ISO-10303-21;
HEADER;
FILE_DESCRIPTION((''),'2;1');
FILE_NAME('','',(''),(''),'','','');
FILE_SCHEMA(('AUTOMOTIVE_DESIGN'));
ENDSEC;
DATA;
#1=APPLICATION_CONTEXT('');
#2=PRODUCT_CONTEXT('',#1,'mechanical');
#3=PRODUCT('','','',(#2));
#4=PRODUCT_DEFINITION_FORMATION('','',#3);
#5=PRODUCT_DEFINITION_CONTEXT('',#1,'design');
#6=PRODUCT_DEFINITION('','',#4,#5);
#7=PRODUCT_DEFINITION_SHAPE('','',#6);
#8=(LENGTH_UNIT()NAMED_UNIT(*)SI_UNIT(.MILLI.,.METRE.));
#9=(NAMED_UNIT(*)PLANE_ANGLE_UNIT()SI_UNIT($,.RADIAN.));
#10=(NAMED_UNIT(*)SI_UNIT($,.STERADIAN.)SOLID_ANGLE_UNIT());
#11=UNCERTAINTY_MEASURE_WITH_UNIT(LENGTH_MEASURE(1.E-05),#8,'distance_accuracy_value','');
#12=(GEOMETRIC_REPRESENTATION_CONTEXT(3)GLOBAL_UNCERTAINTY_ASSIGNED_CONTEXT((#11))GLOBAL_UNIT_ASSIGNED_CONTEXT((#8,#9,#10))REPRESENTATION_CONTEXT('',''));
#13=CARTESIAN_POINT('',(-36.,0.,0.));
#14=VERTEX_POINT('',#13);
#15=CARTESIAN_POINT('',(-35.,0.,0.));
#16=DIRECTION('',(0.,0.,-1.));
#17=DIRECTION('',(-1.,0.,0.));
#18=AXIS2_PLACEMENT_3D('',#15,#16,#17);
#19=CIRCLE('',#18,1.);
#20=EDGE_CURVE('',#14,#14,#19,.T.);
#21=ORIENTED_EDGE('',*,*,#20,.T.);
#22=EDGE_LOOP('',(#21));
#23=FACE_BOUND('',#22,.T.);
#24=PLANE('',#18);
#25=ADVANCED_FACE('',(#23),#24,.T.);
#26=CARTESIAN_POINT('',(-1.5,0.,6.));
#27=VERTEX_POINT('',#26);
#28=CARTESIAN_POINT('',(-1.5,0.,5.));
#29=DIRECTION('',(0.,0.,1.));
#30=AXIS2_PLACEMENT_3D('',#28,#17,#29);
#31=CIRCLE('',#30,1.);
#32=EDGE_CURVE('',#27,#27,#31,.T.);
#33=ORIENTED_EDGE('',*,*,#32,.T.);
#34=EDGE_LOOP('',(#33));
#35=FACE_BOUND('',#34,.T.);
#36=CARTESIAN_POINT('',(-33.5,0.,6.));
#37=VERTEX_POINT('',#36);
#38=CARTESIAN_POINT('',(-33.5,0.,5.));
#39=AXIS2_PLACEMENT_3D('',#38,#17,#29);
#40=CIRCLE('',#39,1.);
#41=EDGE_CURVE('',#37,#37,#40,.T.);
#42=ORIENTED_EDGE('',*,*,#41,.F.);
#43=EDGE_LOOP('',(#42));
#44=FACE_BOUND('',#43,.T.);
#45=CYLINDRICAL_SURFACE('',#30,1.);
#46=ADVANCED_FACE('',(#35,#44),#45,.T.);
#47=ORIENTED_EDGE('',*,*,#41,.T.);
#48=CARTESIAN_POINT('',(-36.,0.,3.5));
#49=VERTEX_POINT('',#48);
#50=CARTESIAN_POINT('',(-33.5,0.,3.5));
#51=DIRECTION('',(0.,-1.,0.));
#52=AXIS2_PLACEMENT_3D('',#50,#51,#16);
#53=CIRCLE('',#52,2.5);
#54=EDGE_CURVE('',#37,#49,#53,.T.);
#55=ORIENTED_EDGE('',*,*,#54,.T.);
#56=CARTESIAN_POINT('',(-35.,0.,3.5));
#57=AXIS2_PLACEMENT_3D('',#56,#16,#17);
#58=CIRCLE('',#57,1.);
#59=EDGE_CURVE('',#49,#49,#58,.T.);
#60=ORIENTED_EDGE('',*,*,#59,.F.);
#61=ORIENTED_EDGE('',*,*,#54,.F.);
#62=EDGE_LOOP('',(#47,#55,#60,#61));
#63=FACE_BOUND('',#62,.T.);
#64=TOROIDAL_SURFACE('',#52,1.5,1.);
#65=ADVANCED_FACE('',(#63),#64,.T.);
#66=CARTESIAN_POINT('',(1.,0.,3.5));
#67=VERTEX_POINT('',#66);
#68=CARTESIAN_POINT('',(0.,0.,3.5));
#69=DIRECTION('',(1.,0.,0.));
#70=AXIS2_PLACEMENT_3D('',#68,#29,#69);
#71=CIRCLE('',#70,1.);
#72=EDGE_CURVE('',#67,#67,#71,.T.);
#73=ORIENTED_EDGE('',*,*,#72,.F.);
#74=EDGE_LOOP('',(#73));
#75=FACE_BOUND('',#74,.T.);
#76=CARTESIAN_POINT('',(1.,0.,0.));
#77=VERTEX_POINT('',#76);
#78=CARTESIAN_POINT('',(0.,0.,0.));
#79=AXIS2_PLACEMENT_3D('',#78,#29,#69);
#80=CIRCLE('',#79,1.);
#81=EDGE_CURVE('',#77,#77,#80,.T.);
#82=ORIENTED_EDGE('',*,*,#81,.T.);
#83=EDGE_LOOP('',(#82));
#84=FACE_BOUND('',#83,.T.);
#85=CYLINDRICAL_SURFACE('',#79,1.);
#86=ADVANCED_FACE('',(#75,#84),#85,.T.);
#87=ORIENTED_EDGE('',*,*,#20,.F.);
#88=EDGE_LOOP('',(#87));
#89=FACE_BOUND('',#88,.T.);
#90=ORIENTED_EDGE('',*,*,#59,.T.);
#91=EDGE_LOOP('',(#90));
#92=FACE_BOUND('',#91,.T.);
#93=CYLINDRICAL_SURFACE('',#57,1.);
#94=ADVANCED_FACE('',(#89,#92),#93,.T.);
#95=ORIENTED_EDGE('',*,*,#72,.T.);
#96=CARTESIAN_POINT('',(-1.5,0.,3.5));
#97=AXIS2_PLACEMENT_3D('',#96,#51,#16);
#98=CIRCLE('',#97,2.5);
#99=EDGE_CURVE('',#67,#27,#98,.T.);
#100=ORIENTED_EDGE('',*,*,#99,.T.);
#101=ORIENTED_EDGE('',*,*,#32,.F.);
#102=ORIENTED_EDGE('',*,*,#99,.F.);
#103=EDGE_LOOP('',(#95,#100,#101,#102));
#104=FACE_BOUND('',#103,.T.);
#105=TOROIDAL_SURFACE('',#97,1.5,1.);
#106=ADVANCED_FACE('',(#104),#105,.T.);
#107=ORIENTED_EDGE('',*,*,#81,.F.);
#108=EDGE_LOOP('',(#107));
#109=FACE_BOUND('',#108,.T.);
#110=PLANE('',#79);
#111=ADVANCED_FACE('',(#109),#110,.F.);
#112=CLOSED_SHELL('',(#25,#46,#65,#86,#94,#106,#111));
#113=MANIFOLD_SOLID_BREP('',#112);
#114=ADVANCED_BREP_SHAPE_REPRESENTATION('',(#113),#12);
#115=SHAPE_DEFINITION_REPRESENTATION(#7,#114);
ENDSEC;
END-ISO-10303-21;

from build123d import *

# Parameters (mm, degrees)
SKETCH2_R = 1


with BuildPart() as part:
    # Sweep1: sweep along a path in Sketch1
    with BuildLine(Plane(origin=(0, 0, 0), x_dir=(1, 0, 0), z_dir=(0, 1, 0))) as sweep1_path:
        Line((0, 0), (0, -3.5))
        ThreePointArc((0, -3.5), (-0.439339828, -4.560660172), (-1.5, -5))
        Line((-1.5, -5), (-33.5, -5))
        ThreePointArc((-33.5, -5), (-34.560660172, -4.560660172), (-35, -3.5))
        Line((-35, -3.5), (-35, 0))
    # Sketch2 → Sweep1 (sweep)
    with BuildSketch(Plane.XY):
        Circle(SKETCH2_R)
    sweep(path=sweep1_path.line)


solid = part.part
